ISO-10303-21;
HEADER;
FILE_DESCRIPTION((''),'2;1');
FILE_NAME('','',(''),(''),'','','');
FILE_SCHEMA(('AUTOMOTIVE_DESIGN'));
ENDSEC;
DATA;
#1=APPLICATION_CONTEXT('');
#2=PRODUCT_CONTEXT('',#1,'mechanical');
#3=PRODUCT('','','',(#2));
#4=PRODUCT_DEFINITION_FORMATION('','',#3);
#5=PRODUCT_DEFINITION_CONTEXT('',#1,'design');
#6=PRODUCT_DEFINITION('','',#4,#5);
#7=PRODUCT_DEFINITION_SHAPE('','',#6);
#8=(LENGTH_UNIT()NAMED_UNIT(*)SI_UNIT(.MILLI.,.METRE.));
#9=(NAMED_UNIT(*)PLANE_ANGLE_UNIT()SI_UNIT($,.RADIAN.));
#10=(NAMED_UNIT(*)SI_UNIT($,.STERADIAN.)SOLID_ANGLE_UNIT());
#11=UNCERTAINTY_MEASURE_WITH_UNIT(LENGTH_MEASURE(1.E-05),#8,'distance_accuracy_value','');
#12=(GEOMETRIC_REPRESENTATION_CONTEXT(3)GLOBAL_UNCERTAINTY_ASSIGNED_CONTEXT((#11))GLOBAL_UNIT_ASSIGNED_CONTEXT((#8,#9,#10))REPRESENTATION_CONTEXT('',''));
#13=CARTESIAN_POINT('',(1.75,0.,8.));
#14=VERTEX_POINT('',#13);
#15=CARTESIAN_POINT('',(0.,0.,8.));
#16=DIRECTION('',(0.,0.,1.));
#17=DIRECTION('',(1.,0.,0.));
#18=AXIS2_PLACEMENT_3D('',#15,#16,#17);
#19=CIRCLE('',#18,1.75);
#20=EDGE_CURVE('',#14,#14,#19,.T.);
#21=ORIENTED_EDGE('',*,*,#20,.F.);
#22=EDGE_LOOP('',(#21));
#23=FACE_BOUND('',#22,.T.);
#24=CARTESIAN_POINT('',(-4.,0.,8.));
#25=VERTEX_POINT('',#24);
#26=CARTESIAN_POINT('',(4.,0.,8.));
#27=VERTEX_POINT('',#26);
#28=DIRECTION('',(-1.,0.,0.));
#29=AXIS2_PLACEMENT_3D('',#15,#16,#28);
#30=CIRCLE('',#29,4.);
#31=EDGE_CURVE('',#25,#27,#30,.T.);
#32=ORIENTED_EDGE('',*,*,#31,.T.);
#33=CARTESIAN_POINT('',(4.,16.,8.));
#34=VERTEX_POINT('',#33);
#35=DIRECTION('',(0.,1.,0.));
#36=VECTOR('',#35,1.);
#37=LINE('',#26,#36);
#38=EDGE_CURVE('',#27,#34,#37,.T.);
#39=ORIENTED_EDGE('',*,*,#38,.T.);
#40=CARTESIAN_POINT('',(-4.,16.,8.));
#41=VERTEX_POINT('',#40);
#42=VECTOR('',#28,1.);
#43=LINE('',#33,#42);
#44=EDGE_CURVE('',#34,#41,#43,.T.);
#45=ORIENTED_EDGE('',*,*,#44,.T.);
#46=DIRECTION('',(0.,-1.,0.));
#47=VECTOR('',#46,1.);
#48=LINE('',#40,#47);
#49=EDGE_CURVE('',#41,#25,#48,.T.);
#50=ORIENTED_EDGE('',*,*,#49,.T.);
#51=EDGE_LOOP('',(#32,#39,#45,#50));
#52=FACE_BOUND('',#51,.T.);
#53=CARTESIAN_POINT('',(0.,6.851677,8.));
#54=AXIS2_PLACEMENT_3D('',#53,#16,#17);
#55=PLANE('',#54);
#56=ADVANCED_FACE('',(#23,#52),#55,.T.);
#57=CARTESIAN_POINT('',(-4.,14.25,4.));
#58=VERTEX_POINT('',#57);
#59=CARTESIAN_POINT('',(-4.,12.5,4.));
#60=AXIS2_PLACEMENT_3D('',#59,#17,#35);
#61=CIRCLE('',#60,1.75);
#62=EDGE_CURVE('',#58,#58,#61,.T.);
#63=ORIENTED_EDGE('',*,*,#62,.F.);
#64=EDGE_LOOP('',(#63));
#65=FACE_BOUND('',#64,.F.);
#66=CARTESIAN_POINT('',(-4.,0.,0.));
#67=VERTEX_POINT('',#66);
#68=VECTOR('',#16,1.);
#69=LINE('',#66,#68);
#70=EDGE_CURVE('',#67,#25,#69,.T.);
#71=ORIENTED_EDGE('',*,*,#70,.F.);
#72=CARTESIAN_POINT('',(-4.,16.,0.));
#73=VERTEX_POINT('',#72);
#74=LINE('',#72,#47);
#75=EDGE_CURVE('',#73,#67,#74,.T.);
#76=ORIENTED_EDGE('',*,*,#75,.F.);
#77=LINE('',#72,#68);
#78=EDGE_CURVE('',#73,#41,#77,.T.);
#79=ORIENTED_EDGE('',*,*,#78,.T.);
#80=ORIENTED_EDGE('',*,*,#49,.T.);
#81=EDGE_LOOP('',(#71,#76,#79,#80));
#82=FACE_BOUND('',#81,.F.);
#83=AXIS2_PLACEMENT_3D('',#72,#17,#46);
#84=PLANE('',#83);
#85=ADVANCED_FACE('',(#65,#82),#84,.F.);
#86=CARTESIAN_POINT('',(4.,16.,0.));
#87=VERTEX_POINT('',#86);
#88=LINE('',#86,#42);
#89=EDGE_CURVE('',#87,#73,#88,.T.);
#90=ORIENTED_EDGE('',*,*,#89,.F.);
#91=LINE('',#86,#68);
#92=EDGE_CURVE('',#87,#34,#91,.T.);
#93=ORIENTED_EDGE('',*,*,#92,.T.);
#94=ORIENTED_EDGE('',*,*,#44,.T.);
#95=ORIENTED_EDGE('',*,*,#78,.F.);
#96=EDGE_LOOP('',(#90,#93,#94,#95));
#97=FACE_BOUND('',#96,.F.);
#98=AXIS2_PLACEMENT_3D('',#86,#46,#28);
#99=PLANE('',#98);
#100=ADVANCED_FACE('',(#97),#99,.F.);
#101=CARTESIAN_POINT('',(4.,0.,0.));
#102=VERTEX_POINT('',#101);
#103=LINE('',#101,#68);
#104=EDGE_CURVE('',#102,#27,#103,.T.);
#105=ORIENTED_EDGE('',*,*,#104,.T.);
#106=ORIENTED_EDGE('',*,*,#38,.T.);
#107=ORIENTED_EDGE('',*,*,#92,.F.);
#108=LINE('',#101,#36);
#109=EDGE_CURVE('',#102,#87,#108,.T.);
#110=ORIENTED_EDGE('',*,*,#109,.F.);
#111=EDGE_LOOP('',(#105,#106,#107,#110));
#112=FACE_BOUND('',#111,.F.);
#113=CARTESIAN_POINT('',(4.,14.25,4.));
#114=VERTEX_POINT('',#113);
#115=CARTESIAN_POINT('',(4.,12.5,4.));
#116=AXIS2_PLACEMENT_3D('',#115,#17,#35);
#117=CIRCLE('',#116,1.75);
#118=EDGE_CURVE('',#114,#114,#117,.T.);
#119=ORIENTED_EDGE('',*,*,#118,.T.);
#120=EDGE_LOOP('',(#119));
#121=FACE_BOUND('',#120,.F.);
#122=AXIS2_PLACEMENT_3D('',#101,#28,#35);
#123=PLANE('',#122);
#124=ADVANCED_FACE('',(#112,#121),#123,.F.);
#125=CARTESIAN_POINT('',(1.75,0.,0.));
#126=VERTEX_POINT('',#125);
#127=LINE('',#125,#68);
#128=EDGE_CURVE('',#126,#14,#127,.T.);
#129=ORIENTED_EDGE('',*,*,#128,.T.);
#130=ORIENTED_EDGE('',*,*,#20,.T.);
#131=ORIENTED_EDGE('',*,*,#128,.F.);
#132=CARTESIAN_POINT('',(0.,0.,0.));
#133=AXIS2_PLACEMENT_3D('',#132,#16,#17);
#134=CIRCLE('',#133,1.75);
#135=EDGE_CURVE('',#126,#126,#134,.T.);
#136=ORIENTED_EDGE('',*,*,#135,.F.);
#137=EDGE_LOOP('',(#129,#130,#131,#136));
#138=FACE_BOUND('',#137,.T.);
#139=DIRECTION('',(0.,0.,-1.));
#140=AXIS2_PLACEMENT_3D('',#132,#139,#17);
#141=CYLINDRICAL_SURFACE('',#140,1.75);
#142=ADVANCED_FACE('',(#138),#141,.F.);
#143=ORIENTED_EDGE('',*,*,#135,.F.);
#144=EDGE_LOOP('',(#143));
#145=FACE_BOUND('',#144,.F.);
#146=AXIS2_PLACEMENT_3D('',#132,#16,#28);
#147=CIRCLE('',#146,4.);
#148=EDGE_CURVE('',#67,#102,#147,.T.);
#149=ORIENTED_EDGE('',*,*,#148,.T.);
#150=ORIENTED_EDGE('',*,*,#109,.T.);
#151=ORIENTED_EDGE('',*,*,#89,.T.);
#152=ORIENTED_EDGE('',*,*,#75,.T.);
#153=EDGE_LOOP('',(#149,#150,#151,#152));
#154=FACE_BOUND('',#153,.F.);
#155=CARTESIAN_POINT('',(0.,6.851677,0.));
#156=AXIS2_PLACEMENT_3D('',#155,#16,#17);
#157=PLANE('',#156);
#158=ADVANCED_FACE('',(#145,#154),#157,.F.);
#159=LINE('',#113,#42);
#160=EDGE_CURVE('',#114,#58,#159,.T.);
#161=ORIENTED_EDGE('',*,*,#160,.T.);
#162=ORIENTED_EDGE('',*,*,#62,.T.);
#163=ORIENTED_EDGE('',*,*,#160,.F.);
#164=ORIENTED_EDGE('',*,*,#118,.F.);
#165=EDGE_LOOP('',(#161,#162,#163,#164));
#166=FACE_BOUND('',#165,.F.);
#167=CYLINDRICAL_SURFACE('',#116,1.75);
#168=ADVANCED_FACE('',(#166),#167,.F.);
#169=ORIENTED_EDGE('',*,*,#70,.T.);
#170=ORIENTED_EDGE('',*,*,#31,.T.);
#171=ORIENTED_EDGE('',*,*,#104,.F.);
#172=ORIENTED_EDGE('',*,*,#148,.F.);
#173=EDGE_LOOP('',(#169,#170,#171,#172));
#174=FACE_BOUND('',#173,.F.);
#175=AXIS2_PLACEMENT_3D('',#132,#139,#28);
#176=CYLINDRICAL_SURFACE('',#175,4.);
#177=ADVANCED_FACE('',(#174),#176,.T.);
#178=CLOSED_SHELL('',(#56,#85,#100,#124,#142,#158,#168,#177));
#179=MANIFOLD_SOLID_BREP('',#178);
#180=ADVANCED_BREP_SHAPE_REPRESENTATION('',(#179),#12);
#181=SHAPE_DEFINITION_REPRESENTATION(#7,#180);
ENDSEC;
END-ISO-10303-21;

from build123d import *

# Parameters (mm, degrees)
F0_R     = 1.75
F1_DEPTH = 8
F2_R     = 1.75
F3_DEPTH = 20


with BuildPart() as f1:
    # F0 (on Top) → F1 (new body)
    with BuildSketch(Plane.XY):
        with BuildLine():
            Line((-4, 16), (-4, 0))
            ThreePointArc((-4, 0), (0, -4), (4, 0))
            Line((4, 0), (4, 16))
            Line((4, 16), (-4, 16))
        make_face()
        Circle(F0_R, mode=Mode.SUBTRACT)
    extrude(amount=F1_DEPTH)

    # F2 (on face) → F3 (cut)
    with BuildSketch(Plane.YZ.offset(4)):
        with Locations((12.5, 4)):
            Circle(F2_R)
    extrude(amount=-F3_DEPTH, mode=Mode.SUBTRACT)


solid = f1.part
